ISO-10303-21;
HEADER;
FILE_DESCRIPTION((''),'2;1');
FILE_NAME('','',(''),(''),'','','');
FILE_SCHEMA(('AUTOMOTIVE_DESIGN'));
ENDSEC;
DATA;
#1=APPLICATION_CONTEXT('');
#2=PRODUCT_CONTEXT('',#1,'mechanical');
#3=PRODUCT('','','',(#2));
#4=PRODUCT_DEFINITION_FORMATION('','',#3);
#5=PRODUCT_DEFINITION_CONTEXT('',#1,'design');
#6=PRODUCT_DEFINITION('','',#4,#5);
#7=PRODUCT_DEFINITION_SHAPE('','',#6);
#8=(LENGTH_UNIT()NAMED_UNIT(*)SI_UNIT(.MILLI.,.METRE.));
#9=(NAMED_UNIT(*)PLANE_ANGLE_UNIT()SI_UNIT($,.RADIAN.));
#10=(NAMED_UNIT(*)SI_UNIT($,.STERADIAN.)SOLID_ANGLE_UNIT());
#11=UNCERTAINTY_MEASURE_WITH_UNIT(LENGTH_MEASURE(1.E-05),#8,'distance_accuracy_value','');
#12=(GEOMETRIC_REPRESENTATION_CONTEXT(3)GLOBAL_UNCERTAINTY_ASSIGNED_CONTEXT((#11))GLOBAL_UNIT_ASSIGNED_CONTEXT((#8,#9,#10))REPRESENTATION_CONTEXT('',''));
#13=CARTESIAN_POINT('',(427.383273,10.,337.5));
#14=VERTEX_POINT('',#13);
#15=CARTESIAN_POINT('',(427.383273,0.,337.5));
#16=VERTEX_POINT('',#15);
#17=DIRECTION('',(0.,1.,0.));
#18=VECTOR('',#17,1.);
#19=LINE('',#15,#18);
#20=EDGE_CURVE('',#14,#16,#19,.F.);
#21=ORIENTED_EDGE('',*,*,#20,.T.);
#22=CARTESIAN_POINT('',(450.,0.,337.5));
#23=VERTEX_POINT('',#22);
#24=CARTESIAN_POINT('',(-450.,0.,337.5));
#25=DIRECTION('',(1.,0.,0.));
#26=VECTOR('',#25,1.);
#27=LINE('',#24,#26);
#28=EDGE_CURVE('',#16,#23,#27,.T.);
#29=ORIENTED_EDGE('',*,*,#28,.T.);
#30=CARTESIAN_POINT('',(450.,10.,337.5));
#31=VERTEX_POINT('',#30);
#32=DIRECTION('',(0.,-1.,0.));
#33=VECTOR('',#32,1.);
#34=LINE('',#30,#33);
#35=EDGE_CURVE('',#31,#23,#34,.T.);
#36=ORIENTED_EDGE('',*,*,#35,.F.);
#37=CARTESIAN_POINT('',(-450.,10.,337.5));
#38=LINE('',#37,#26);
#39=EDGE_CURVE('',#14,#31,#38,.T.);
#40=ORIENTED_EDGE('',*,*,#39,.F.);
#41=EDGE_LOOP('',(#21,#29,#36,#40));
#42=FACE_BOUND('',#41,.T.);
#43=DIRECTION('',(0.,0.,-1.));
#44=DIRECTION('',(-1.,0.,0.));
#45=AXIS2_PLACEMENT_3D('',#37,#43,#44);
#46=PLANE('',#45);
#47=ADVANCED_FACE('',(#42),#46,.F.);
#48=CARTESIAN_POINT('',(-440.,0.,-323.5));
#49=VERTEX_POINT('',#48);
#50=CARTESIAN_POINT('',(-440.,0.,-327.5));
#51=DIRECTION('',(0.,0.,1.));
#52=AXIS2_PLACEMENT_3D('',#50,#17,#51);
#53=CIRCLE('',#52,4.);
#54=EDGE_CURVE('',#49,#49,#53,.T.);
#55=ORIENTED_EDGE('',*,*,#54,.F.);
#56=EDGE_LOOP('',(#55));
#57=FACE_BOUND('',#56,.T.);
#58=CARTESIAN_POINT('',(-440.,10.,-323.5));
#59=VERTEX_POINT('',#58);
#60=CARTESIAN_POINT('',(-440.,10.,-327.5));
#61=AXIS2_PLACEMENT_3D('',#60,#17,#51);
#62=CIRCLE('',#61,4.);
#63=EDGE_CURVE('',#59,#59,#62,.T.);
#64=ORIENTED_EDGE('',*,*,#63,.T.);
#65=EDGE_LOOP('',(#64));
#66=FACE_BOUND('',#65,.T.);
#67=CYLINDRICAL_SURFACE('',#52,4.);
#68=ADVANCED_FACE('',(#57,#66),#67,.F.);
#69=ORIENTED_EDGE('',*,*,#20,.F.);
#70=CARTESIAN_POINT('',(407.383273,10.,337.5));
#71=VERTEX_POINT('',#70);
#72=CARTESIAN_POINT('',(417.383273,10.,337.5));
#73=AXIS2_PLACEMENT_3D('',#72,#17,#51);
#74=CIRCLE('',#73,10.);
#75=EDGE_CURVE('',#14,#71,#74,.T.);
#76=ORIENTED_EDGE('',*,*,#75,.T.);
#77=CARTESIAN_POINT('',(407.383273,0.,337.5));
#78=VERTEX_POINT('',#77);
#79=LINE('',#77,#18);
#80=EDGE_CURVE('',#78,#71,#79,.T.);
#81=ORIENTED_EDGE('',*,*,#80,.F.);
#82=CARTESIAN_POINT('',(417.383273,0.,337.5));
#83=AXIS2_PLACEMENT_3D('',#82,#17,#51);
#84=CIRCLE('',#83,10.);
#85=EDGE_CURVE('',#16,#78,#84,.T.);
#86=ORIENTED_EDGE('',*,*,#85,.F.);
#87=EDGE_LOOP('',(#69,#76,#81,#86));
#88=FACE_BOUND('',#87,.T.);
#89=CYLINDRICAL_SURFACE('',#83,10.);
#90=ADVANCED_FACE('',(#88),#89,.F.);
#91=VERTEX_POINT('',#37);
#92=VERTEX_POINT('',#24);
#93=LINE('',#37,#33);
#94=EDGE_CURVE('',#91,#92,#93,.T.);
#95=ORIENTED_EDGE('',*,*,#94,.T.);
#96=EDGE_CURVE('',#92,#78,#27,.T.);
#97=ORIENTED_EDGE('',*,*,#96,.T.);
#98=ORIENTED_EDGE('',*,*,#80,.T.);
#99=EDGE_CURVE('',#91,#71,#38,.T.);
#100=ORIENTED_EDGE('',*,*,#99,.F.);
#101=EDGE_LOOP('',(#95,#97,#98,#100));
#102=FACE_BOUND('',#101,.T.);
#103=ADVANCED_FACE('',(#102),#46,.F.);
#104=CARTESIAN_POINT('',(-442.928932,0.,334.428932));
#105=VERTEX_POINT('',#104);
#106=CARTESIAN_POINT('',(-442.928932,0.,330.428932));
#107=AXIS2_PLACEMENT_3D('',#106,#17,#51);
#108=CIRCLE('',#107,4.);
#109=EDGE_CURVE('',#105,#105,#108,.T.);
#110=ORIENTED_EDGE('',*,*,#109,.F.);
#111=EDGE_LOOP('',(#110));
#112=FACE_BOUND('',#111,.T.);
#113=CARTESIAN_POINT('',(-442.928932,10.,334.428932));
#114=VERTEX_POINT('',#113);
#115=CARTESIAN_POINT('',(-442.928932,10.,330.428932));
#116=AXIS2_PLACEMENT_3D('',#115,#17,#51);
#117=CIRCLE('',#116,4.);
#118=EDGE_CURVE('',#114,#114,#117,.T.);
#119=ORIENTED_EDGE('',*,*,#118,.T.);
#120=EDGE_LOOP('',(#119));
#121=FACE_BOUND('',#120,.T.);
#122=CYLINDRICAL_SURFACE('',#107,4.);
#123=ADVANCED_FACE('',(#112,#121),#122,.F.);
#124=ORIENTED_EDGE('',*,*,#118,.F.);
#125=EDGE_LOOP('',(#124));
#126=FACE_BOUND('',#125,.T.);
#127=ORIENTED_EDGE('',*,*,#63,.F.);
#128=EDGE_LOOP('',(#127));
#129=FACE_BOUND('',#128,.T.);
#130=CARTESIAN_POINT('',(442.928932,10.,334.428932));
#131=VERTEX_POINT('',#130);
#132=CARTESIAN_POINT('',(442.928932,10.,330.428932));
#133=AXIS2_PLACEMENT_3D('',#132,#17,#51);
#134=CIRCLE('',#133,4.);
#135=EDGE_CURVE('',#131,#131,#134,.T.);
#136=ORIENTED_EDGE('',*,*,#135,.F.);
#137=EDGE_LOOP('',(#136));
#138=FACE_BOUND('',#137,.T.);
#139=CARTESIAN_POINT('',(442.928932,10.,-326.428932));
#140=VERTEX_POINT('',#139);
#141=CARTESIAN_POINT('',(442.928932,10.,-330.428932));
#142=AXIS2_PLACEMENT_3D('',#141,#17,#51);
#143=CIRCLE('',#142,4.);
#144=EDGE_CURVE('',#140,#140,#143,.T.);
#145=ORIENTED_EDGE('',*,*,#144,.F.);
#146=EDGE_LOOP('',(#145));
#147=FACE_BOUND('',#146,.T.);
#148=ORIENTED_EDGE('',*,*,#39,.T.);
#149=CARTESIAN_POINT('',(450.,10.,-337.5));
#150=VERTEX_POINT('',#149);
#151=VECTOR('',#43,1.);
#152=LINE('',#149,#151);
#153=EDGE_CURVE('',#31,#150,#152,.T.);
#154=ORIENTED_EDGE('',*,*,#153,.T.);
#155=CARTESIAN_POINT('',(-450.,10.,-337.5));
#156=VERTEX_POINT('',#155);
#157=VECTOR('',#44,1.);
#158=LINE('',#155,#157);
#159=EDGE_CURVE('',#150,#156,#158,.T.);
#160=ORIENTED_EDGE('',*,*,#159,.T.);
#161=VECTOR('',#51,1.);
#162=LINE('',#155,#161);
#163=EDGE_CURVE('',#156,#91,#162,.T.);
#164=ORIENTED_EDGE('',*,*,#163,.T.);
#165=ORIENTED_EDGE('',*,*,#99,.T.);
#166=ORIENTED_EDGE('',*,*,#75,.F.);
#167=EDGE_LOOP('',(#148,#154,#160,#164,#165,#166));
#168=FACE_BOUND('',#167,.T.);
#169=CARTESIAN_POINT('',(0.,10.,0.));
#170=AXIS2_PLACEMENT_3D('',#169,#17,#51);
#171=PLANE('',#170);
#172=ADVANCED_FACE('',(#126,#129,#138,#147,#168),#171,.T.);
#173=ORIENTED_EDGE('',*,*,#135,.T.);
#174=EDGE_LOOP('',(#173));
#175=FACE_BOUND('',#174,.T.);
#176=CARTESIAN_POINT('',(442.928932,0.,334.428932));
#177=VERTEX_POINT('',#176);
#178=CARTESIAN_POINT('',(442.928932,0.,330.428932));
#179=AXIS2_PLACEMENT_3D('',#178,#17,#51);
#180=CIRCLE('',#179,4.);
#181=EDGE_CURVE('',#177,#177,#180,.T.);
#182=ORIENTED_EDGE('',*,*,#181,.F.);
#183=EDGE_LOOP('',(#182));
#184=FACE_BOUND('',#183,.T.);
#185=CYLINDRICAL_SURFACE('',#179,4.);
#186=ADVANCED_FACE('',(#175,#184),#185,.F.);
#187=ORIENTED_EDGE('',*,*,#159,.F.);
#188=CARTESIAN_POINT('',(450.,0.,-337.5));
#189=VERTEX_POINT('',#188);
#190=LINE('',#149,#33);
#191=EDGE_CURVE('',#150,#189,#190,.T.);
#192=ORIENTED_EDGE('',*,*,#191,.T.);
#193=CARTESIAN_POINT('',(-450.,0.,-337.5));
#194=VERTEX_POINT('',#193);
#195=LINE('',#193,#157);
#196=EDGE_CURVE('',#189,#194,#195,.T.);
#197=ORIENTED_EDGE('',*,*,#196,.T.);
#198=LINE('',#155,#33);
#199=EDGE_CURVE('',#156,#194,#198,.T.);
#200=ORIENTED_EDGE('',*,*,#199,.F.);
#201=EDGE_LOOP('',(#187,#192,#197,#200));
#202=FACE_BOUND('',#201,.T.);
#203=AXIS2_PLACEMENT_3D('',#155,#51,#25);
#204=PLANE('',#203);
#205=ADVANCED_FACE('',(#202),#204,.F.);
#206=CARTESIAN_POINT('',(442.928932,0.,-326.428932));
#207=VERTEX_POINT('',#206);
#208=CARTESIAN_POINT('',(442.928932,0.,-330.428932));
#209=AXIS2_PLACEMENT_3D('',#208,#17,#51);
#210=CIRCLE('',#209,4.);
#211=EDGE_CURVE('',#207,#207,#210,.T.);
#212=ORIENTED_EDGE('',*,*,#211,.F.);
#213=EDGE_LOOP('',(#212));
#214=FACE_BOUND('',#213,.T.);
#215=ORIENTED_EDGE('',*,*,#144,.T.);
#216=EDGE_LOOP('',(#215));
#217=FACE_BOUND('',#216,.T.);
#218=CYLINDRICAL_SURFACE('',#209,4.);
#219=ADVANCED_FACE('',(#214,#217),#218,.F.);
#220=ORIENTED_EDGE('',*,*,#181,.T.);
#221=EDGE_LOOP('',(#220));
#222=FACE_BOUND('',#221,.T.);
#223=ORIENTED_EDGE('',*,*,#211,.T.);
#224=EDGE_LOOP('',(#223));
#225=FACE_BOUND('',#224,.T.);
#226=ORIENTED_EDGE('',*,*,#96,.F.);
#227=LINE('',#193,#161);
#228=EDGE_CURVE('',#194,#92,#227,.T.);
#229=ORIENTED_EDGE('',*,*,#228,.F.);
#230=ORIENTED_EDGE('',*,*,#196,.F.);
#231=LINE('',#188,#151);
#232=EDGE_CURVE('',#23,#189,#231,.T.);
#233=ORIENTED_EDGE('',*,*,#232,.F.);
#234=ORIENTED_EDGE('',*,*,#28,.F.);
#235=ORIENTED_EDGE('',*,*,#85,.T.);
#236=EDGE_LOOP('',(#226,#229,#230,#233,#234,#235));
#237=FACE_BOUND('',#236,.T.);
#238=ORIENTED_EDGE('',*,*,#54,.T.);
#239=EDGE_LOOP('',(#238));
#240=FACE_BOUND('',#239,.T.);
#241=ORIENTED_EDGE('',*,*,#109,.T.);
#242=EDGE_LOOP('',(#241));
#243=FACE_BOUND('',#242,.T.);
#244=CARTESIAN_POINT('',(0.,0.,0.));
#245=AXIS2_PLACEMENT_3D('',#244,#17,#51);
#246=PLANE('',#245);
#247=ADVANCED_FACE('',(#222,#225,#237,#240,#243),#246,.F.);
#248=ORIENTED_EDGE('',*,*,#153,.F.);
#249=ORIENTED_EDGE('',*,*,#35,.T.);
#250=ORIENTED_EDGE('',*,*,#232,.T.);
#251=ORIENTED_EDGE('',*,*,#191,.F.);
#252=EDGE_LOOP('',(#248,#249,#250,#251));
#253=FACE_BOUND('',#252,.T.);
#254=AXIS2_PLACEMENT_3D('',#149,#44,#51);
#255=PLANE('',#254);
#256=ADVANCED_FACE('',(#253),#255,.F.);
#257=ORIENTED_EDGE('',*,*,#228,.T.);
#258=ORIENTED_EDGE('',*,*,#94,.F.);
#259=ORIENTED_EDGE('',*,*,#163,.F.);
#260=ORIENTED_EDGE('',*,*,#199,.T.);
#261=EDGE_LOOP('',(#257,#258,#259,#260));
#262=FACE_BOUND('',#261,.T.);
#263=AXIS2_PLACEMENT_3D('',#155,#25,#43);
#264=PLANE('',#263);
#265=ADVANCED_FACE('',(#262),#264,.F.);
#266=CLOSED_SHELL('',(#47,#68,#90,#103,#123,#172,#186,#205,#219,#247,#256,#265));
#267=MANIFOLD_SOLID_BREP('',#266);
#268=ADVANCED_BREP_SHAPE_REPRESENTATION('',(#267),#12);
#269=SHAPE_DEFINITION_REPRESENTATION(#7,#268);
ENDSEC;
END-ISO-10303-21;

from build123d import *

# Parameters (mm, degrees)
SKETCH1_W           = 900
SKETCH1_H           = 675
BOSS_EXTRUDE1_DEPTH = 10
SKETCH3_R           = 4
CUT_EXTRUDE1_DEPTH  = 10
SKETCH4_R           = 4
CUT_EXTRUDE2_DEPTH  = 10
SKETCH5_R           = 4
CUT_EXTRUDE3_DEPTH  = 10
SKETCH6_R           = 4
CUT_EXTRUDE4_DEPTH  = 10
SKETCH7_R           = 10
CUT_EXTRUDE5_DEPTH  = 10


with BuildPart() as part:
    # Sketch1 → Boss-Extrude1 (new body)
    with BuildSketch(Plane(origin=(0, 0, 0), x_dir=(1, 0, 0), z_dir=(0, 1, 0))):
        Rectangle(SKETCH1_W, SKETCH1_H)
    extrude(amount=BOSS_EXTRUDE1_DEPTH)

    # Sketch3 → Cut-Extrude1 (cut)
    with BuildSketch(Plane(origin=(0, 10, 0), x_dir=(1, 0, 0), z_dir=(0, 1, 0))):
        with Locations(Location((-440, 327.5, 0), (0, 0, 270))):
            Circle(SKETCH3_R)
    extrude(amount=-CUT_EXTRUDE1_DEPTH, mode=Mode.SUBTRACT)

    # Sketch4 → Cut-Extrude2 (cut)
    with BuildSketch(Plane(origin=(0, 10, 0), x_dir=(1, 0, 0), z_dir=(0, 1, 0))):
        with Locations(Location((-442.928932188, -330.428932188, 0), (0, 0, 270))):
            Circle(SKETCH4_R)
    extrude(amount=-CUT_EXTRUDE2_DEPTH, mode=Mode.SUBTRACT)

    # Sketch5 → Cut-Extrude3 (cut)
    with BuildSketch(Plane(origin=(0, 10, 0), x_dir=(1, 0, 0), z_dir=(0, 1, 0))):
        with Locations(Location((442.928932188, 330.428932188, 0), (0, 0, 270))):
            Circle(SKETCH5_R)
    extrude(amount=-CUT_EXTRUDE3_DEPTH, mode=Mode.SUBTRACT)

    # Sketch6 → Cut-Extrude4 (cut)
    with BuildSketch(Plane(origin=(0, 10, 0), x_dir=(1, 0, 0), z_dir=(0, 1, 0))):
        with Locations(Location((442.928932188, -330.428932188, 0), (0, 0, 270))):
            Circle(SKETCH6_R)
    extrude(amount=-CUT_EXTRUDE4_DEPTH, mode=Mode.SUBTRACT)

    # Sketch7 → Cut-Extrude5 (cut)
    with BuildSketch(Plane(origin=(0, 10, 0), x_dir=(1, 0, 0), z_dir=(0, 1, 0))):
        with Locations((417.383273444, -337.5)):
            Circle(SKETCH7_R)
    extrude(amount=-CUT_EXTRUDE5_DEPTH, mode=Mode.SUBTRACT)


solid = part.part
